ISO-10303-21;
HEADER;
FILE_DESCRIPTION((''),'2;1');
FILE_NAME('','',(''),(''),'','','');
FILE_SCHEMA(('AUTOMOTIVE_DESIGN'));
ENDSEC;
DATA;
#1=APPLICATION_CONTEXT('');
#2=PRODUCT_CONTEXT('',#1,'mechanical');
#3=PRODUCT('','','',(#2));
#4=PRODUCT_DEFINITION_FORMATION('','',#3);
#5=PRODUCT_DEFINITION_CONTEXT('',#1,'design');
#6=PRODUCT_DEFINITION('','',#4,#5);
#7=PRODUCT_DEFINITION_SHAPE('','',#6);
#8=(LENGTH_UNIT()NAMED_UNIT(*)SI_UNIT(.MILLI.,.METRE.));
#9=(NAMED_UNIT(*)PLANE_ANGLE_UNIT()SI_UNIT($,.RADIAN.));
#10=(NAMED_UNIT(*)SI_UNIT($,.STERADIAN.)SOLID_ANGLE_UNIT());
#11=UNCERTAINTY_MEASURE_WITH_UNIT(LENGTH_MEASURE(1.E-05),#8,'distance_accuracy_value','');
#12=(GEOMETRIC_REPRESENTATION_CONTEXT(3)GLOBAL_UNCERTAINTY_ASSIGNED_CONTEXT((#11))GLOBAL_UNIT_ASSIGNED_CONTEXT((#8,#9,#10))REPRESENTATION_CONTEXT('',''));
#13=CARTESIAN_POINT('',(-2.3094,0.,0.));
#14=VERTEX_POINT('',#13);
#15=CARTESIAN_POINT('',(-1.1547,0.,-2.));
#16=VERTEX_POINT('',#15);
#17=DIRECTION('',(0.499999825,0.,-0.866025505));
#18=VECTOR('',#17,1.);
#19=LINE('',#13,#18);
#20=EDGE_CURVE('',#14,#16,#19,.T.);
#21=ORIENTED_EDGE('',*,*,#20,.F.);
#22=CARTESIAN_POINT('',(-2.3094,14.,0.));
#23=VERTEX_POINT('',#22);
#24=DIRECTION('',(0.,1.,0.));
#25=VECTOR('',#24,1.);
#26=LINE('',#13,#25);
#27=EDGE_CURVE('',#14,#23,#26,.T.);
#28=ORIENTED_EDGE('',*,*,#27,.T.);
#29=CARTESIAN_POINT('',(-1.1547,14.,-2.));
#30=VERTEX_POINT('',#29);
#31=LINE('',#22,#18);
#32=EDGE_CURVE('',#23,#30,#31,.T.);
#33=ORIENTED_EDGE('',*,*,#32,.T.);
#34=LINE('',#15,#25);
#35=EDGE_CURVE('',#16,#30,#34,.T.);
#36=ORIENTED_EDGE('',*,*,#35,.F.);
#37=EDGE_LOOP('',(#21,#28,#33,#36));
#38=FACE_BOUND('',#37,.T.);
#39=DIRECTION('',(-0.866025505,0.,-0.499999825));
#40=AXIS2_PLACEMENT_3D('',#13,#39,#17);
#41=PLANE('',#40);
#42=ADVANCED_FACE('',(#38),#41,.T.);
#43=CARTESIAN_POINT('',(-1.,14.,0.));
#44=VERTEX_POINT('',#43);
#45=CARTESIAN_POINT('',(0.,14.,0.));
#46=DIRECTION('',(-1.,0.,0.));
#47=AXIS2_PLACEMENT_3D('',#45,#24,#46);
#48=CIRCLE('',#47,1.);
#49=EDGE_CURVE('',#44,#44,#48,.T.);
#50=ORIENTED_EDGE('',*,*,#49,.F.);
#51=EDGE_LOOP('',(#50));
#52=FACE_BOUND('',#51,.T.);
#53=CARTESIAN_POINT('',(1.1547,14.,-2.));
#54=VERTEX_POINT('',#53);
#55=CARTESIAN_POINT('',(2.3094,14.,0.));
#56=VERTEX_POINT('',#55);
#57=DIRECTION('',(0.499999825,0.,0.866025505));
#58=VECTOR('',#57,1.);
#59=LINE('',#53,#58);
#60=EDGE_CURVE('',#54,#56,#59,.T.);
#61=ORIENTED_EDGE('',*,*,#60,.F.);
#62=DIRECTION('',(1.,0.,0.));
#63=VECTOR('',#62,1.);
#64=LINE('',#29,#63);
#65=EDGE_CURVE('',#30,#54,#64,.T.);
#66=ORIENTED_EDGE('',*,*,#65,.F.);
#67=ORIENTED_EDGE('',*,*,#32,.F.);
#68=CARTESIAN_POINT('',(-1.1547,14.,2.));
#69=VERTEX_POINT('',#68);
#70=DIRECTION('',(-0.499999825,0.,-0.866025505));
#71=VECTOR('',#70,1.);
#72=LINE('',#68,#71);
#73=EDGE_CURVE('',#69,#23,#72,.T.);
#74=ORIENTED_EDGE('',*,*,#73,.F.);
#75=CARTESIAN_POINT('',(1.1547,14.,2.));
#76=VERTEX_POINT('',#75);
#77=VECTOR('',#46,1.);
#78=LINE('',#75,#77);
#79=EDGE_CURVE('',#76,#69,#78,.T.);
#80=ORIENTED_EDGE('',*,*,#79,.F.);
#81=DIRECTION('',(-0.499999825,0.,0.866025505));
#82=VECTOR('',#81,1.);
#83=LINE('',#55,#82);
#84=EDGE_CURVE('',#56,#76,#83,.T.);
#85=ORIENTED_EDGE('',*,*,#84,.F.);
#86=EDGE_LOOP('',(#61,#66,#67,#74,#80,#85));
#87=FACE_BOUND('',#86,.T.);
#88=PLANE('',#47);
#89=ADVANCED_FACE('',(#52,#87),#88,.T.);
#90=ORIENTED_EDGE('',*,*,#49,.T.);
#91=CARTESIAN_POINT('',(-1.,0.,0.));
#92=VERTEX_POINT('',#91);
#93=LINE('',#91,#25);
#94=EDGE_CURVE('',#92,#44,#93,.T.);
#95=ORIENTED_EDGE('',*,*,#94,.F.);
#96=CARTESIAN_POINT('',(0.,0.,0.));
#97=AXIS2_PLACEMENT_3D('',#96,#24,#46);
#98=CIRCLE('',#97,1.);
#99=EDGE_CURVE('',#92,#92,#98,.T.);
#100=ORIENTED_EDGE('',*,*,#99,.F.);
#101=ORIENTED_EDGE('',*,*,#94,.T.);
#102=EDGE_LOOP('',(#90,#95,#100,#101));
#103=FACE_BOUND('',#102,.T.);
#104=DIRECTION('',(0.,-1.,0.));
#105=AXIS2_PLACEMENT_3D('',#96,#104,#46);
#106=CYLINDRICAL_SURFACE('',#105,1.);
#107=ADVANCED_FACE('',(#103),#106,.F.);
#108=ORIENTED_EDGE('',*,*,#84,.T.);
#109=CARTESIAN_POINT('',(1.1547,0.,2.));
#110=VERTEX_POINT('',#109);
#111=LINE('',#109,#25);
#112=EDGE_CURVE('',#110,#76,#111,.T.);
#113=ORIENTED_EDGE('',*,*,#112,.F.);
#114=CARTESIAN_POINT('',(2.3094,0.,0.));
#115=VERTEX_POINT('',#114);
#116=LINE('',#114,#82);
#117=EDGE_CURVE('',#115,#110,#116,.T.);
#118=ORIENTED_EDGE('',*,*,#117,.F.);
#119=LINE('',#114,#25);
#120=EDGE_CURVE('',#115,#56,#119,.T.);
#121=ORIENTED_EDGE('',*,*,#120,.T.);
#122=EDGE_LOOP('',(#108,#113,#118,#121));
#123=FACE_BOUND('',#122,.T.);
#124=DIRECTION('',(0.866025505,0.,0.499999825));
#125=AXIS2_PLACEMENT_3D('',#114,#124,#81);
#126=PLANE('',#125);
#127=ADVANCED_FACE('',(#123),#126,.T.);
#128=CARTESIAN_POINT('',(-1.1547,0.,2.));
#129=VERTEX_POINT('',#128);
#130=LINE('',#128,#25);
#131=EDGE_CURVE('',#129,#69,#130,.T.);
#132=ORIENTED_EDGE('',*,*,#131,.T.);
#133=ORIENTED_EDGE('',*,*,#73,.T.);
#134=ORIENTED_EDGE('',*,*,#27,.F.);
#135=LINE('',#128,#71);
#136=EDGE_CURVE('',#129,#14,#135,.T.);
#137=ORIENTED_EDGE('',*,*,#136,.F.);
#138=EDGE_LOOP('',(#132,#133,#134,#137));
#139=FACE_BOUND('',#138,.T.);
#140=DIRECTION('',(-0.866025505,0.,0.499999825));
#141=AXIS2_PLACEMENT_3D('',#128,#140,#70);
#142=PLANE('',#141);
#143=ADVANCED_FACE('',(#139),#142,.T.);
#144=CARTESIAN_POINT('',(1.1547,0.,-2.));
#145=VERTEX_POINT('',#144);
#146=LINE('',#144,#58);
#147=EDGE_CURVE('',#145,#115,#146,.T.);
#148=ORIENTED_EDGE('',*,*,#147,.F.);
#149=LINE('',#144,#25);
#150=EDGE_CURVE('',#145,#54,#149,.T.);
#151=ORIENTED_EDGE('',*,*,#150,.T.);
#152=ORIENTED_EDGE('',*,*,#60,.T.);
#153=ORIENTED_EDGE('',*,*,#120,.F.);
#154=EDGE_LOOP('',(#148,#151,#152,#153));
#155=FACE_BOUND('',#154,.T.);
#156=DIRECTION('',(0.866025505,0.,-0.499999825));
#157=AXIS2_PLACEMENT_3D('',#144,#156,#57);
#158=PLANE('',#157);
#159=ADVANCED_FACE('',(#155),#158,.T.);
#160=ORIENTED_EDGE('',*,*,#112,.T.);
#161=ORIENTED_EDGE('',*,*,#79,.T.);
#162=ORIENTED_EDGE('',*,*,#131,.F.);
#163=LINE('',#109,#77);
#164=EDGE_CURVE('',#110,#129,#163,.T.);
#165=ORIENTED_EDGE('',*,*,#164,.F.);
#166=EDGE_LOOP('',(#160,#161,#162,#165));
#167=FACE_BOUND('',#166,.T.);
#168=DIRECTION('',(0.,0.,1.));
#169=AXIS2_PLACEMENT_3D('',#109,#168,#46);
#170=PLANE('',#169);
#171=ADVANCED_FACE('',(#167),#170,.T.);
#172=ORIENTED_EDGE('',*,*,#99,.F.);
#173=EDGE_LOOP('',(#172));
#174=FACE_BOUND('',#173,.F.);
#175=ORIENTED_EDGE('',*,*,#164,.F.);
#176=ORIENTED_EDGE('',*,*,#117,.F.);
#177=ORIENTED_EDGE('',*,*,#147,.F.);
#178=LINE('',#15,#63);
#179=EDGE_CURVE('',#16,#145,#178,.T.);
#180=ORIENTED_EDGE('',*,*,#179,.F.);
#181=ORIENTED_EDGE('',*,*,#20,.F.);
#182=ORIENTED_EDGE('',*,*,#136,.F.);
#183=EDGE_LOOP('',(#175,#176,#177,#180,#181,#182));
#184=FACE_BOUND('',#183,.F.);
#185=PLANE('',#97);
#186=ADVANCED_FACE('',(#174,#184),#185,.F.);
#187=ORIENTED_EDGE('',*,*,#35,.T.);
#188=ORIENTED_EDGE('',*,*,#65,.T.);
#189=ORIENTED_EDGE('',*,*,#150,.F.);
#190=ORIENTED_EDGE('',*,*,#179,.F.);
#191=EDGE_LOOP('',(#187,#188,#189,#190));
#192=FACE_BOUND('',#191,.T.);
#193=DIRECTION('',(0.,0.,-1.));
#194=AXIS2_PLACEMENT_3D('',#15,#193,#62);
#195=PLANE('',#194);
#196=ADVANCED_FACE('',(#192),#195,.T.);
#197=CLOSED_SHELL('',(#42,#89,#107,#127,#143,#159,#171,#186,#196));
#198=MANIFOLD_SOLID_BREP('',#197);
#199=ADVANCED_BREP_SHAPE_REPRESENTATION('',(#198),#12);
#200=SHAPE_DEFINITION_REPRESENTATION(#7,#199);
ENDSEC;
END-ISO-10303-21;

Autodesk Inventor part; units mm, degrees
ref_plane "YZ Plane" through (0, 0, 0) normal (1, 0, 0) x (0, 1, 0)
ref_plane "XZ Plane" through (0, 0, 0) normal (0, 1, 0) x (-1, 0, 0)
ref_plane "XY Plane" through (0, 0, 0) normal (0, 0, 1) x (1, 0, 0)
sketch "Esquisse1" plane through (0, 0, 0) normal (0, 1, 0) x (-1, 0, 0)
  line L0 (1.1547, -2) -> (-1.1547, -2)
  line L1 (-1.1547, -2) -> (-2.3094, 0)
  line L2 (-2.3094, 0) -> (-1.1547, 2)
  line L3 (-1.1547, 2) -> (1.1547, 2)
  line L4 (1.1547, 2) -> (2.3094, 0)
  line L5 (2.3094, 0) -> (1.1547, -2)
  circle A0 centre (0, 0) radius 1
  dimension "d0" = 2
  dimension "d1" = 2
extrude "Extrusion1" add sketch "Esquisse1" along normal blind 14
properties part number "hex_spacer_14"
